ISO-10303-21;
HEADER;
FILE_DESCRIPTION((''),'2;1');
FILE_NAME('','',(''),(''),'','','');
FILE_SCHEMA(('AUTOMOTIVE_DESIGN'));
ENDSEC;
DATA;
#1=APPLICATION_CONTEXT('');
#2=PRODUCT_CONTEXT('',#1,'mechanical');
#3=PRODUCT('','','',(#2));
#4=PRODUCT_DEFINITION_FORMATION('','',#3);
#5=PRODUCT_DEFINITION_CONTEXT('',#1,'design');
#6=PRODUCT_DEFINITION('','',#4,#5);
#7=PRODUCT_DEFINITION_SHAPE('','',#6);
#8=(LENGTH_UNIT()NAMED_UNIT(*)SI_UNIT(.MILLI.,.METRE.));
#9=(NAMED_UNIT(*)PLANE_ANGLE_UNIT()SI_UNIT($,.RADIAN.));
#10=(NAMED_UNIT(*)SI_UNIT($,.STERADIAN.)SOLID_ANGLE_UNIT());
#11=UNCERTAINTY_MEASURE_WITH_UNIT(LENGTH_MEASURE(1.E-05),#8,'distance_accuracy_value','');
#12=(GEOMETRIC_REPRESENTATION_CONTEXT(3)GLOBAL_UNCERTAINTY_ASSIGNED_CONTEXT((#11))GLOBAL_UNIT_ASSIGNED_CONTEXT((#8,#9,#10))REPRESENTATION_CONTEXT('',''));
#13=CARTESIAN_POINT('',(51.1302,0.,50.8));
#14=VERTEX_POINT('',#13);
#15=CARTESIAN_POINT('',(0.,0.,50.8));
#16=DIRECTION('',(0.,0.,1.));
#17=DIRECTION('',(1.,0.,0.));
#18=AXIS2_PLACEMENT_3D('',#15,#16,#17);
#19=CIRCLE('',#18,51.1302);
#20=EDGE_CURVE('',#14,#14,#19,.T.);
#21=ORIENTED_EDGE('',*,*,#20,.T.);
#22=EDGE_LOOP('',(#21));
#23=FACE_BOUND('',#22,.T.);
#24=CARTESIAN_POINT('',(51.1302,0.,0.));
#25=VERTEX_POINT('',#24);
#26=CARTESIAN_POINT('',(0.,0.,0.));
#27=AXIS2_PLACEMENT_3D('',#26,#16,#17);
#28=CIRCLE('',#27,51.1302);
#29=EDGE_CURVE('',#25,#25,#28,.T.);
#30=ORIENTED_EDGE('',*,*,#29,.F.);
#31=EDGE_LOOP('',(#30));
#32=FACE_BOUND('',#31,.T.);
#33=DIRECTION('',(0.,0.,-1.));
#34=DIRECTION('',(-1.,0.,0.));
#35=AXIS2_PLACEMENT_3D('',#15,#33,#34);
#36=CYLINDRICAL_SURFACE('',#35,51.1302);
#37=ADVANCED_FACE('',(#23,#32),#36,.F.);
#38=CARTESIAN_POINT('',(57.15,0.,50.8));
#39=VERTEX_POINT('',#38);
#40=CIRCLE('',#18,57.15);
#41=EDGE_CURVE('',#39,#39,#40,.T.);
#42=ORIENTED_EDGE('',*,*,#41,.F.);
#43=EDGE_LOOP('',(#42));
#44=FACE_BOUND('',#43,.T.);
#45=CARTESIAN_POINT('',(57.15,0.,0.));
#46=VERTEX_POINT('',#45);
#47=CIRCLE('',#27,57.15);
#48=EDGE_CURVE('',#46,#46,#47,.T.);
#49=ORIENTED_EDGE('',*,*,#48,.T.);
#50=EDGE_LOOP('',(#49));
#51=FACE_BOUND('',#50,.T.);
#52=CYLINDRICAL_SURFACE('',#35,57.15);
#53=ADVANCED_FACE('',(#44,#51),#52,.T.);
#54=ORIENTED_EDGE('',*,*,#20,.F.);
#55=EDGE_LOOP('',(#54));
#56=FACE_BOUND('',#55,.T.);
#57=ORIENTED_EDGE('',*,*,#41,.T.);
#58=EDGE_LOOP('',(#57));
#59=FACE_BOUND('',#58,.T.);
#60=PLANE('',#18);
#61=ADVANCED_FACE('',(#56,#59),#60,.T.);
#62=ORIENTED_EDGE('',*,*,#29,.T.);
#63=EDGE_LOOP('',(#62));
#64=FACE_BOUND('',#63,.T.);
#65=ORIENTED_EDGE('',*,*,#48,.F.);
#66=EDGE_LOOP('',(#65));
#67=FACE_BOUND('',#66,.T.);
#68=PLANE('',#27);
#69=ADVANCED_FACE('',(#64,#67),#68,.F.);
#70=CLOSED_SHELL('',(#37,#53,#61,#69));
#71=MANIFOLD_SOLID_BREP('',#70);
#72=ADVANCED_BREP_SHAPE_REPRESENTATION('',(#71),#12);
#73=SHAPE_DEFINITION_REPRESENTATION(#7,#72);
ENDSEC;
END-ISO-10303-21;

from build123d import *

# Parameters (mm, degrees)
PIPESKETCH_R    = 57.15
PIPESKETCH_R_2  = 51.1302
EXTRUSION_DEPTH = 50.8


with BuildPart() as part:
    # PipeSketch → Extrusion (new body)
    with BuildSketch(Plane.XY):
        Circle(PIPESKETCH_R)
        Circle(PIPESKETCH_R_2, mode=Mode.SUBTRACT)
    extrude(amount=EXTRUSION_DEPTH)


solid = part.part
